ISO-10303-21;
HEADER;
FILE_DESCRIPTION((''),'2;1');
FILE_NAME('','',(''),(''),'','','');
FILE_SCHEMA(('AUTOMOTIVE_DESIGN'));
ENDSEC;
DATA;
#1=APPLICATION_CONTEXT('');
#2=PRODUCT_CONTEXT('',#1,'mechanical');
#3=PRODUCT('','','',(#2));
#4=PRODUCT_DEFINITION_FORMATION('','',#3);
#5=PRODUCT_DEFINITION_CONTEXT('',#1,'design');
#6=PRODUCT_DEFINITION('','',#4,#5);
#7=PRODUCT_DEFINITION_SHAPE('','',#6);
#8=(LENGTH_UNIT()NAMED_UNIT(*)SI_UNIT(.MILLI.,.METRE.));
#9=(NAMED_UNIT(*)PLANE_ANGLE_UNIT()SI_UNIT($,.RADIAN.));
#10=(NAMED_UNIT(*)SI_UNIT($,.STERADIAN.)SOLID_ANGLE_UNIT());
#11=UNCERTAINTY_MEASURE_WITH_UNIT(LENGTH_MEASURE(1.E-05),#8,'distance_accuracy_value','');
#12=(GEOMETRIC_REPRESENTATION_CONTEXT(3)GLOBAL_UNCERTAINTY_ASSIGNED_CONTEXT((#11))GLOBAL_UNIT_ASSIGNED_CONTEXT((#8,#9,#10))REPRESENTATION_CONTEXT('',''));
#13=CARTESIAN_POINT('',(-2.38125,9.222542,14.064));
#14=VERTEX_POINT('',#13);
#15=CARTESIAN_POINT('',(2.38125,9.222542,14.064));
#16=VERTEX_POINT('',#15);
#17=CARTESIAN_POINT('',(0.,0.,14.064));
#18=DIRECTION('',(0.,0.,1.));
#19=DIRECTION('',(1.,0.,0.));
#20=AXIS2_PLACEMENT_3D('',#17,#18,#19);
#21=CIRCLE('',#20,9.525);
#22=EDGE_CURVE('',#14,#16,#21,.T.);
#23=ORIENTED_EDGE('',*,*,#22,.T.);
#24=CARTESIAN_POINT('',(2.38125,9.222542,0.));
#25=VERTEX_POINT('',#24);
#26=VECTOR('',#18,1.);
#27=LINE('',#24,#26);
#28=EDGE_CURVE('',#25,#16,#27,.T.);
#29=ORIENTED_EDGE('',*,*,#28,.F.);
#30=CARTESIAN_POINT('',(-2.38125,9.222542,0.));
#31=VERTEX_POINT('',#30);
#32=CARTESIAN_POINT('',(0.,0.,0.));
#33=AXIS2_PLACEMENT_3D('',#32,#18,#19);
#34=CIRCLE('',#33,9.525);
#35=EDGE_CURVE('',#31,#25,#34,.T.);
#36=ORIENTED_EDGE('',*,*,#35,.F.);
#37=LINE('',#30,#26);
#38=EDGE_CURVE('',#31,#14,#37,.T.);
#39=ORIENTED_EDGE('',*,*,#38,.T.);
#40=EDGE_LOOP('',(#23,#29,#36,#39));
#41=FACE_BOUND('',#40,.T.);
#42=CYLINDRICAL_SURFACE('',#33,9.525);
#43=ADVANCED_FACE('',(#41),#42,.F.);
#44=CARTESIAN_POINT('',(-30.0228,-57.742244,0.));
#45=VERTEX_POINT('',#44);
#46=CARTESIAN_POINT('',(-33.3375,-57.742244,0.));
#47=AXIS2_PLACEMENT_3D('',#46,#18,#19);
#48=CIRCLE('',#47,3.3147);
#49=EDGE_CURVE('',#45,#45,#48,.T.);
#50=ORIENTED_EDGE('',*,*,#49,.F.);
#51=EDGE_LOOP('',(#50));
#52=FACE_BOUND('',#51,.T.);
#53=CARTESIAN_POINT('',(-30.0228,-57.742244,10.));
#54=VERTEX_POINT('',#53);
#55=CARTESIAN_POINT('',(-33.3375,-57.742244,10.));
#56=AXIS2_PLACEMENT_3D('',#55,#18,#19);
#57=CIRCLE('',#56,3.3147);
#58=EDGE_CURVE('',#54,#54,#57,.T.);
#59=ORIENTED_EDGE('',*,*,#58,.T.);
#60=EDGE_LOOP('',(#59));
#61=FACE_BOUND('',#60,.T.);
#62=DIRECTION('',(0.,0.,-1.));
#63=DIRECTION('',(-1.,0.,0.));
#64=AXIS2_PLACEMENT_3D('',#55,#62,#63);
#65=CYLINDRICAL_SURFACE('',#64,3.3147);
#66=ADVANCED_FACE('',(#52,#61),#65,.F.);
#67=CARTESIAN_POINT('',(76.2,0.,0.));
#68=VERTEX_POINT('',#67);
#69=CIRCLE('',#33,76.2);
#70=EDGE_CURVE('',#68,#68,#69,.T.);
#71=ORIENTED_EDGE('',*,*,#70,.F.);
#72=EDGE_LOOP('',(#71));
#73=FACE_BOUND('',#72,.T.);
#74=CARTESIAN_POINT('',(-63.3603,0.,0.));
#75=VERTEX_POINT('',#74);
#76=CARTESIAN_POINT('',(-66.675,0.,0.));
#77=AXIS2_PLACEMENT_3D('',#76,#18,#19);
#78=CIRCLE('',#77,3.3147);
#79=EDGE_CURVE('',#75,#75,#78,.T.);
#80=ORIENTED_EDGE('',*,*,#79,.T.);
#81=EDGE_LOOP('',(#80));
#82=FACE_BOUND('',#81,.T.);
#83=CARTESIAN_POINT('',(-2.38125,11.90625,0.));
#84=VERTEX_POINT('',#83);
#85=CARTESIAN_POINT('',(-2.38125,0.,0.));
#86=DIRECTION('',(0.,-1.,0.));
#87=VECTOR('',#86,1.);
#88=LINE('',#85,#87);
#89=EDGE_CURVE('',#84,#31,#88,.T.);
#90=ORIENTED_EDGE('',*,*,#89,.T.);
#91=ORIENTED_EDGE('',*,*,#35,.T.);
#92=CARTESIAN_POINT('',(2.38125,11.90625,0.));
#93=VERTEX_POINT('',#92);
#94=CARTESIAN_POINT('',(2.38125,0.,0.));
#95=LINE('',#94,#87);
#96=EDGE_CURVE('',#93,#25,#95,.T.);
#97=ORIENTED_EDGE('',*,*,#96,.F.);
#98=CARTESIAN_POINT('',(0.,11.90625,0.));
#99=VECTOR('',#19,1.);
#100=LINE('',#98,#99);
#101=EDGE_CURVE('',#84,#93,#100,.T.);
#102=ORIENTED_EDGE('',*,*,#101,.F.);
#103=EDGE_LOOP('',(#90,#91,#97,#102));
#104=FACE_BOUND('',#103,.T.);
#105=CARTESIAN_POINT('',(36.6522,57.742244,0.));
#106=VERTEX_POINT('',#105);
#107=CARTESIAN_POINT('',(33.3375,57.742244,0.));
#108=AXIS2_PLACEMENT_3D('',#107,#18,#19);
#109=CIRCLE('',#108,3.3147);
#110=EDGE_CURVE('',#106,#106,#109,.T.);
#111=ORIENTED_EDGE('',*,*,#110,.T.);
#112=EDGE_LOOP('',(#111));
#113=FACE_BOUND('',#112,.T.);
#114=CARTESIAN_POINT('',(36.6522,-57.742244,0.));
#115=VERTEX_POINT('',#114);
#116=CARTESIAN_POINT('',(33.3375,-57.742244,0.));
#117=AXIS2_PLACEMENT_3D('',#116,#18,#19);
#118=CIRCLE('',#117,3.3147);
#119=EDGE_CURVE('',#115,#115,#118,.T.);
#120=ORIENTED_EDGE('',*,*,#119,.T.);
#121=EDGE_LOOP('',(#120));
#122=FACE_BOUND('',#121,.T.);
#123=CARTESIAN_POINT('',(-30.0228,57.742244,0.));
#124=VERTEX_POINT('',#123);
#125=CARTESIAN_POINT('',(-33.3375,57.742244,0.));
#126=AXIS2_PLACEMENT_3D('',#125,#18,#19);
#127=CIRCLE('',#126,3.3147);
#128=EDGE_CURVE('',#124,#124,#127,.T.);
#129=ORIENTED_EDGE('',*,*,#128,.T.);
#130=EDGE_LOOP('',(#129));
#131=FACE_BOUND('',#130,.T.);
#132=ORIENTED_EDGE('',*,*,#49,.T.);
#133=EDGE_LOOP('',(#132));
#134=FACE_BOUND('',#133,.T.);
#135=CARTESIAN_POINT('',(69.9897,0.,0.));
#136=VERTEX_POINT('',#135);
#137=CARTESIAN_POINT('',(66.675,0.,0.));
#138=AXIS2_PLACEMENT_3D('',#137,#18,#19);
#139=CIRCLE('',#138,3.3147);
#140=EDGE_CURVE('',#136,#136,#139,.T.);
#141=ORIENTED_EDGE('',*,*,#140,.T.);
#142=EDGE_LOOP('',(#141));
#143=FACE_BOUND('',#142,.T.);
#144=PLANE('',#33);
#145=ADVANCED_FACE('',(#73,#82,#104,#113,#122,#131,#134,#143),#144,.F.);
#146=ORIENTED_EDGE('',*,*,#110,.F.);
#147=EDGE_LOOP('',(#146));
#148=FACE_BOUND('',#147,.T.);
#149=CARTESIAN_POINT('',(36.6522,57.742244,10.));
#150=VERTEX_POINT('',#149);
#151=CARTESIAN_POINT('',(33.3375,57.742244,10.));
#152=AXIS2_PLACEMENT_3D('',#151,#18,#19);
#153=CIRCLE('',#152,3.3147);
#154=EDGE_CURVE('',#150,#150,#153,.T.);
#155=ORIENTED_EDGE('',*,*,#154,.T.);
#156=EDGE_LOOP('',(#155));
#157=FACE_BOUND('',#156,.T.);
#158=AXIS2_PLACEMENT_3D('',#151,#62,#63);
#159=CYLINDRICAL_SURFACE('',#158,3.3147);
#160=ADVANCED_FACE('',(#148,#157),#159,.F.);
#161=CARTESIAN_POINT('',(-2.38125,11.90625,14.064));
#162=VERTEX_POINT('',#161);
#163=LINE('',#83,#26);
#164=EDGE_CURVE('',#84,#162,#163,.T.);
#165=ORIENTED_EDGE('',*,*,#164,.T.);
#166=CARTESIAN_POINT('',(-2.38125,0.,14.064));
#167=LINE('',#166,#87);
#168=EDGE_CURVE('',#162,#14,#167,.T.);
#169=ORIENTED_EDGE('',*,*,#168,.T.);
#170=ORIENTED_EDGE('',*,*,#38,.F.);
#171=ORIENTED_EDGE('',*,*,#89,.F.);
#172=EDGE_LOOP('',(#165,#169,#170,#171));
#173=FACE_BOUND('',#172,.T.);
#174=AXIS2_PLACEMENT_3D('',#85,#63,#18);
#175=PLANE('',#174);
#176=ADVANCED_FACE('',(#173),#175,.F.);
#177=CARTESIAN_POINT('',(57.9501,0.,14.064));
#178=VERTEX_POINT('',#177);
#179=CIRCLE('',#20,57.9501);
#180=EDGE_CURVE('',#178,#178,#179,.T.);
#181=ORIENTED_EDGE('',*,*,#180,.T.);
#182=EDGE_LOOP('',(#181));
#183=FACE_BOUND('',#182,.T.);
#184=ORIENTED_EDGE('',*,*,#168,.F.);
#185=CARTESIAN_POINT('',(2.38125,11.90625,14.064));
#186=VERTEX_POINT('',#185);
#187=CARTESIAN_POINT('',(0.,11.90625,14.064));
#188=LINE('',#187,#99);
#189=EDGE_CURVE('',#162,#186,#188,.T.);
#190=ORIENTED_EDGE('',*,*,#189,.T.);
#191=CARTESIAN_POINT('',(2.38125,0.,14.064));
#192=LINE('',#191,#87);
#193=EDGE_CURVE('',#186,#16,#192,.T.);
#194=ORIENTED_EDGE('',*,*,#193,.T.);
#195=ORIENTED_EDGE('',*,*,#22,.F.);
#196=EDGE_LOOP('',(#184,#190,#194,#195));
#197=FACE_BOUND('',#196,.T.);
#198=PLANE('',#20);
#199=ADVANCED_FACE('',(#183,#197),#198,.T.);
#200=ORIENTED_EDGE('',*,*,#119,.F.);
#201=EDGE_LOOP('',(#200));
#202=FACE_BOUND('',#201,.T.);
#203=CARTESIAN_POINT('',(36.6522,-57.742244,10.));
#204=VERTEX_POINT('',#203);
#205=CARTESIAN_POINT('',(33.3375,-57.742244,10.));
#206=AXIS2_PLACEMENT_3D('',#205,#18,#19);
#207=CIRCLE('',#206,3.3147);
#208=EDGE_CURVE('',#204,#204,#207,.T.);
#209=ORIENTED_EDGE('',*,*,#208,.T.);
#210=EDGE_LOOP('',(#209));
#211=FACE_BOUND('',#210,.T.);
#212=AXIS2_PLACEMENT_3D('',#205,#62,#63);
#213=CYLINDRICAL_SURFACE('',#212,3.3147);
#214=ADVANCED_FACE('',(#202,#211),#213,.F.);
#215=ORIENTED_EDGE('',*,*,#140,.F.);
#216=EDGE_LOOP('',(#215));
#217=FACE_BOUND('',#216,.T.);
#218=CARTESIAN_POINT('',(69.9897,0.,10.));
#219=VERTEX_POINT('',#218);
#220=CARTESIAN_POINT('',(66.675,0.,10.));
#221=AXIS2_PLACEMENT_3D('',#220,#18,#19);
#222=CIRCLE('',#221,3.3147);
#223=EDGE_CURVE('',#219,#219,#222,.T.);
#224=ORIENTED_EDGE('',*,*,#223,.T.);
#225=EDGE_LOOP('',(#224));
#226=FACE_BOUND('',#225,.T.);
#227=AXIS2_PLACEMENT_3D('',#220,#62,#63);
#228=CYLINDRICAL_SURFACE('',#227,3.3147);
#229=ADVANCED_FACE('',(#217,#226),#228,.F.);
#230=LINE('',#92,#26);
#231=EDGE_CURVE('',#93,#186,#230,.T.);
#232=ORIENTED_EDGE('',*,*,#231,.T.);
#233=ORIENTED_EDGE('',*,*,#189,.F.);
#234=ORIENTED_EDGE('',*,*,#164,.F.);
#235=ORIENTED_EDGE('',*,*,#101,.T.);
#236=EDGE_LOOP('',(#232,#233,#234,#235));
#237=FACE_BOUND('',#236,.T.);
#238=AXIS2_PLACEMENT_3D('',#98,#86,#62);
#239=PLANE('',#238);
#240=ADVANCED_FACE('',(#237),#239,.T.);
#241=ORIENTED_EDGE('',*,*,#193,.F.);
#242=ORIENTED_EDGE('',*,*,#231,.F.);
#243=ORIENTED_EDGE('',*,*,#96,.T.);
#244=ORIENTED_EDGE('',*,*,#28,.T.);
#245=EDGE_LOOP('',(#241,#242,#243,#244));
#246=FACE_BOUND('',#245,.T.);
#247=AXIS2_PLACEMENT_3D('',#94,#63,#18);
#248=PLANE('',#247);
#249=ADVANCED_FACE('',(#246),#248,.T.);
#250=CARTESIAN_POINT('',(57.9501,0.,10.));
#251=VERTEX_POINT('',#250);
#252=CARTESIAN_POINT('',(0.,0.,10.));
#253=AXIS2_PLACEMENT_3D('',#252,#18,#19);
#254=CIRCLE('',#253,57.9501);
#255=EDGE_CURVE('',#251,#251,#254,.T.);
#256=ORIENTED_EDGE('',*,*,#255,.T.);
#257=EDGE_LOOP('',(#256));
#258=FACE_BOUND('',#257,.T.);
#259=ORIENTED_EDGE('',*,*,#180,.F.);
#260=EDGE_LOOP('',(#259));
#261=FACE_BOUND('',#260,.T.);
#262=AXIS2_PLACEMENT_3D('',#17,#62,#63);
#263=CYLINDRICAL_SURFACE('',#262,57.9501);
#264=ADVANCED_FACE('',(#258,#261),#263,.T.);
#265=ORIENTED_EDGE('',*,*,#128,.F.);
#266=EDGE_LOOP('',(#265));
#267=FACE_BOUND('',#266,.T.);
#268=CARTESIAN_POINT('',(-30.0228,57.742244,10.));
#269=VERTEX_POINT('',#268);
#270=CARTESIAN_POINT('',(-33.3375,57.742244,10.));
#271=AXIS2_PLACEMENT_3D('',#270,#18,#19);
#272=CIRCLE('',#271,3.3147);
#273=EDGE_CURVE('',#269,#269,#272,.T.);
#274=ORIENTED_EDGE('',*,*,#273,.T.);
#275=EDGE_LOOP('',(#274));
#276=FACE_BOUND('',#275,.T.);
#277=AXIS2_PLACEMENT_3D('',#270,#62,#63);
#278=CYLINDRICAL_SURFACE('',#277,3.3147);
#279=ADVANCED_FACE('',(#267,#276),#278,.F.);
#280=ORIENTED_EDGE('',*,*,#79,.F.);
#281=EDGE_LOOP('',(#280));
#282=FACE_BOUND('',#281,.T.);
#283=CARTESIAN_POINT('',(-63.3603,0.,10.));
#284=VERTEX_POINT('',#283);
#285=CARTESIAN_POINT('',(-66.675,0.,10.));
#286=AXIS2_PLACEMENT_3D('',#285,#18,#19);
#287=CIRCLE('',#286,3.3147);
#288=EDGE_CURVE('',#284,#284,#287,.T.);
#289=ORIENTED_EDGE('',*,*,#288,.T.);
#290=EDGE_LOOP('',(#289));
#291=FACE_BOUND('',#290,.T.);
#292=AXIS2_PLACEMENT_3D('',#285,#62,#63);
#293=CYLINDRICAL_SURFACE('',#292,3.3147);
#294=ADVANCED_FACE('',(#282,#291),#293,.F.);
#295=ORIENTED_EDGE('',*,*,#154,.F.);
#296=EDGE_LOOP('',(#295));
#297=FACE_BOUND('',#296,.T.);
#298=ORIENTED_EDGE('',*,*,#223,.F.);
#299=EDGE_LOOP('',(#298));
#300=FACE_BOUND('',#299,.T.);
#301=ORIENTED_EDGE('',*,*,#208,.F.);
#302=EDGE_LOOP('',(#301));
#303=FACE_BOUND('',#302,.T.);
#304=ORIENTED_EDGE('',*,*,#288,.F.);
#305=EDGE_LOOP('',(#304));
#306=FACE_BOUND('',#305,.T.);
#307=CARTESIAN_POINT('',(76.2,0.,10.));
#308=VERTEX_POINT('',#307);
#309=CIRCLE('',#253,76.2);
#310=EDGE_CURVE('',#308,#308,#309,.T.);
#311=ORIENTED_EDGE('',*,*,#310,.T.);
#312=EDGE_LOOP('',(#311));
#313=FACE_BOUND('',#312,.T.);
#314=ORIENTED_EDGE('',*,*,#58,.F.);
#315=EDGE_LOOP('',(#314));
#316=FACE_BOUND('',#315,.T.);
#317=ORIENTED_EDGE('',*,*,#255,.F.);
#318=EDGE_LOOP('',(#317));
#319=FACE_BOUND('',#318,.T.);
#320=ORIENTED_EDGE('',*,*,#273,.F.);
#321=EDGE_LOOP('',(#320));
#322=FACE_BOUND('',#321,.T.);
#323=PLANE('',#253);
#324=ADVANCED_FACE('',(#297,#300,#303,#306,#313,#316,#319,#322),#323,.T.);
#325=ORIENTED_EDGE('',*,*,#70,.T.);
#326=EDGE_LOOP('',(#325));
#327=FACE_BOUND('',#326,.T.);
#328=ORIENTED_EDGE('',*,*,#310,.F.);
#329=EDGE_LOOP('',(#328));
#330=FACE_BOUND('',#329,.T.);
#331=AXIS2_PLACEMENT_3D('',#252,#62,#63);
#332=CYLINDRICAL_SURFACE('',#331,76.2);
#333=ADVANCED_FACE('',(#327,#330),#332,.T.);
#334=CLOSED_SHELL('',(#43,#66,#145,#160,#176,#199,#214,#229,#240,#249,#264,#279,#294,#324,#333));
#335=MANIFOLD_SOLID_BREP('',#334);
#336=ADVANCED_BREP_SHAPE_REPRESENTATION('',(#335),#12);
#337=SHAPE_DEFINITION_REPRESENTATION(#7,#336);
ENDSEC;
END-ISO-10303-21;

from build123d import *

# Parameters (mm, degrees)
SKETCH1_R           = 76.2
BOSS_EXTRUDE1_DEPTH = 10
SKETCH2_R           = 3.3147
CUT_EXTRUDE2_DEPTH  = 109.226059708
SKETCH4_R           = 57.9501
BOSS_EXTRUDE2_DEPTH = 4.064
SKETCH6_R           = 9.525
SKETCH6_W           = 4.7625
SKETCH6_H           = 4.7625
CUT_EXTRUDE3_DEPTH  = 109.676934517


with BuildPart() as part:
    # Sketch1 → Boss-Extrude1 (new body)
    with BuildSketch(Plane.XY):
        Circle(SKETCH1_R)
    extrude(amount=BOSS_EXTRUDE1_DEPTH)

    # Sketch2 → Cut-Extrude2 (cut, through all)
    with BuildSketch(Plane.XY):
        with Locations((66.675, 0)):
            Circle(SKETCH2_R)
        with Locations((33.3375, -57.742243797)):
            Circle(SKETCH2_R)
        with Locations((-33.3375, -57.742243797)):
            Circle(SKETCH2_R)
        with Locations((-66.675, 0)):
            Circle(SKETCH2_R)
        with Locations((-33.3375, 57.742243797)):
            Circle(SKETCH2_R)
        with Locations((33.3375, 57.742243797)):
            Circle(SKETCH2_R)
    extrude(amount=CUT_EXTRUDE2_DEPTH, mode=Mode.SUBTRACT)

    # Sketch4 → Boss-Extrude2 (add)
    with BuildSketch(Plane.XY.offset(10)):
        Circle(SKETCH4_R)
    extrude(amount=BOSS_EXTRUDE2_DEPTH)

    # Sketch6 → Cut-Extrude3 (cut, through all)
    with BuildSketch(Plane.XY.offset(14.064)):
        Circle(SKETCH6_R)
        with Locations((0, 9.525)):
            Rectangle(SKETCH6_W, SKETCH6_H)
    extrude(amount=-CUT_EXTRUDE3_DEPTH, mode=Mode.SUBTRACT)


solid = part.part
